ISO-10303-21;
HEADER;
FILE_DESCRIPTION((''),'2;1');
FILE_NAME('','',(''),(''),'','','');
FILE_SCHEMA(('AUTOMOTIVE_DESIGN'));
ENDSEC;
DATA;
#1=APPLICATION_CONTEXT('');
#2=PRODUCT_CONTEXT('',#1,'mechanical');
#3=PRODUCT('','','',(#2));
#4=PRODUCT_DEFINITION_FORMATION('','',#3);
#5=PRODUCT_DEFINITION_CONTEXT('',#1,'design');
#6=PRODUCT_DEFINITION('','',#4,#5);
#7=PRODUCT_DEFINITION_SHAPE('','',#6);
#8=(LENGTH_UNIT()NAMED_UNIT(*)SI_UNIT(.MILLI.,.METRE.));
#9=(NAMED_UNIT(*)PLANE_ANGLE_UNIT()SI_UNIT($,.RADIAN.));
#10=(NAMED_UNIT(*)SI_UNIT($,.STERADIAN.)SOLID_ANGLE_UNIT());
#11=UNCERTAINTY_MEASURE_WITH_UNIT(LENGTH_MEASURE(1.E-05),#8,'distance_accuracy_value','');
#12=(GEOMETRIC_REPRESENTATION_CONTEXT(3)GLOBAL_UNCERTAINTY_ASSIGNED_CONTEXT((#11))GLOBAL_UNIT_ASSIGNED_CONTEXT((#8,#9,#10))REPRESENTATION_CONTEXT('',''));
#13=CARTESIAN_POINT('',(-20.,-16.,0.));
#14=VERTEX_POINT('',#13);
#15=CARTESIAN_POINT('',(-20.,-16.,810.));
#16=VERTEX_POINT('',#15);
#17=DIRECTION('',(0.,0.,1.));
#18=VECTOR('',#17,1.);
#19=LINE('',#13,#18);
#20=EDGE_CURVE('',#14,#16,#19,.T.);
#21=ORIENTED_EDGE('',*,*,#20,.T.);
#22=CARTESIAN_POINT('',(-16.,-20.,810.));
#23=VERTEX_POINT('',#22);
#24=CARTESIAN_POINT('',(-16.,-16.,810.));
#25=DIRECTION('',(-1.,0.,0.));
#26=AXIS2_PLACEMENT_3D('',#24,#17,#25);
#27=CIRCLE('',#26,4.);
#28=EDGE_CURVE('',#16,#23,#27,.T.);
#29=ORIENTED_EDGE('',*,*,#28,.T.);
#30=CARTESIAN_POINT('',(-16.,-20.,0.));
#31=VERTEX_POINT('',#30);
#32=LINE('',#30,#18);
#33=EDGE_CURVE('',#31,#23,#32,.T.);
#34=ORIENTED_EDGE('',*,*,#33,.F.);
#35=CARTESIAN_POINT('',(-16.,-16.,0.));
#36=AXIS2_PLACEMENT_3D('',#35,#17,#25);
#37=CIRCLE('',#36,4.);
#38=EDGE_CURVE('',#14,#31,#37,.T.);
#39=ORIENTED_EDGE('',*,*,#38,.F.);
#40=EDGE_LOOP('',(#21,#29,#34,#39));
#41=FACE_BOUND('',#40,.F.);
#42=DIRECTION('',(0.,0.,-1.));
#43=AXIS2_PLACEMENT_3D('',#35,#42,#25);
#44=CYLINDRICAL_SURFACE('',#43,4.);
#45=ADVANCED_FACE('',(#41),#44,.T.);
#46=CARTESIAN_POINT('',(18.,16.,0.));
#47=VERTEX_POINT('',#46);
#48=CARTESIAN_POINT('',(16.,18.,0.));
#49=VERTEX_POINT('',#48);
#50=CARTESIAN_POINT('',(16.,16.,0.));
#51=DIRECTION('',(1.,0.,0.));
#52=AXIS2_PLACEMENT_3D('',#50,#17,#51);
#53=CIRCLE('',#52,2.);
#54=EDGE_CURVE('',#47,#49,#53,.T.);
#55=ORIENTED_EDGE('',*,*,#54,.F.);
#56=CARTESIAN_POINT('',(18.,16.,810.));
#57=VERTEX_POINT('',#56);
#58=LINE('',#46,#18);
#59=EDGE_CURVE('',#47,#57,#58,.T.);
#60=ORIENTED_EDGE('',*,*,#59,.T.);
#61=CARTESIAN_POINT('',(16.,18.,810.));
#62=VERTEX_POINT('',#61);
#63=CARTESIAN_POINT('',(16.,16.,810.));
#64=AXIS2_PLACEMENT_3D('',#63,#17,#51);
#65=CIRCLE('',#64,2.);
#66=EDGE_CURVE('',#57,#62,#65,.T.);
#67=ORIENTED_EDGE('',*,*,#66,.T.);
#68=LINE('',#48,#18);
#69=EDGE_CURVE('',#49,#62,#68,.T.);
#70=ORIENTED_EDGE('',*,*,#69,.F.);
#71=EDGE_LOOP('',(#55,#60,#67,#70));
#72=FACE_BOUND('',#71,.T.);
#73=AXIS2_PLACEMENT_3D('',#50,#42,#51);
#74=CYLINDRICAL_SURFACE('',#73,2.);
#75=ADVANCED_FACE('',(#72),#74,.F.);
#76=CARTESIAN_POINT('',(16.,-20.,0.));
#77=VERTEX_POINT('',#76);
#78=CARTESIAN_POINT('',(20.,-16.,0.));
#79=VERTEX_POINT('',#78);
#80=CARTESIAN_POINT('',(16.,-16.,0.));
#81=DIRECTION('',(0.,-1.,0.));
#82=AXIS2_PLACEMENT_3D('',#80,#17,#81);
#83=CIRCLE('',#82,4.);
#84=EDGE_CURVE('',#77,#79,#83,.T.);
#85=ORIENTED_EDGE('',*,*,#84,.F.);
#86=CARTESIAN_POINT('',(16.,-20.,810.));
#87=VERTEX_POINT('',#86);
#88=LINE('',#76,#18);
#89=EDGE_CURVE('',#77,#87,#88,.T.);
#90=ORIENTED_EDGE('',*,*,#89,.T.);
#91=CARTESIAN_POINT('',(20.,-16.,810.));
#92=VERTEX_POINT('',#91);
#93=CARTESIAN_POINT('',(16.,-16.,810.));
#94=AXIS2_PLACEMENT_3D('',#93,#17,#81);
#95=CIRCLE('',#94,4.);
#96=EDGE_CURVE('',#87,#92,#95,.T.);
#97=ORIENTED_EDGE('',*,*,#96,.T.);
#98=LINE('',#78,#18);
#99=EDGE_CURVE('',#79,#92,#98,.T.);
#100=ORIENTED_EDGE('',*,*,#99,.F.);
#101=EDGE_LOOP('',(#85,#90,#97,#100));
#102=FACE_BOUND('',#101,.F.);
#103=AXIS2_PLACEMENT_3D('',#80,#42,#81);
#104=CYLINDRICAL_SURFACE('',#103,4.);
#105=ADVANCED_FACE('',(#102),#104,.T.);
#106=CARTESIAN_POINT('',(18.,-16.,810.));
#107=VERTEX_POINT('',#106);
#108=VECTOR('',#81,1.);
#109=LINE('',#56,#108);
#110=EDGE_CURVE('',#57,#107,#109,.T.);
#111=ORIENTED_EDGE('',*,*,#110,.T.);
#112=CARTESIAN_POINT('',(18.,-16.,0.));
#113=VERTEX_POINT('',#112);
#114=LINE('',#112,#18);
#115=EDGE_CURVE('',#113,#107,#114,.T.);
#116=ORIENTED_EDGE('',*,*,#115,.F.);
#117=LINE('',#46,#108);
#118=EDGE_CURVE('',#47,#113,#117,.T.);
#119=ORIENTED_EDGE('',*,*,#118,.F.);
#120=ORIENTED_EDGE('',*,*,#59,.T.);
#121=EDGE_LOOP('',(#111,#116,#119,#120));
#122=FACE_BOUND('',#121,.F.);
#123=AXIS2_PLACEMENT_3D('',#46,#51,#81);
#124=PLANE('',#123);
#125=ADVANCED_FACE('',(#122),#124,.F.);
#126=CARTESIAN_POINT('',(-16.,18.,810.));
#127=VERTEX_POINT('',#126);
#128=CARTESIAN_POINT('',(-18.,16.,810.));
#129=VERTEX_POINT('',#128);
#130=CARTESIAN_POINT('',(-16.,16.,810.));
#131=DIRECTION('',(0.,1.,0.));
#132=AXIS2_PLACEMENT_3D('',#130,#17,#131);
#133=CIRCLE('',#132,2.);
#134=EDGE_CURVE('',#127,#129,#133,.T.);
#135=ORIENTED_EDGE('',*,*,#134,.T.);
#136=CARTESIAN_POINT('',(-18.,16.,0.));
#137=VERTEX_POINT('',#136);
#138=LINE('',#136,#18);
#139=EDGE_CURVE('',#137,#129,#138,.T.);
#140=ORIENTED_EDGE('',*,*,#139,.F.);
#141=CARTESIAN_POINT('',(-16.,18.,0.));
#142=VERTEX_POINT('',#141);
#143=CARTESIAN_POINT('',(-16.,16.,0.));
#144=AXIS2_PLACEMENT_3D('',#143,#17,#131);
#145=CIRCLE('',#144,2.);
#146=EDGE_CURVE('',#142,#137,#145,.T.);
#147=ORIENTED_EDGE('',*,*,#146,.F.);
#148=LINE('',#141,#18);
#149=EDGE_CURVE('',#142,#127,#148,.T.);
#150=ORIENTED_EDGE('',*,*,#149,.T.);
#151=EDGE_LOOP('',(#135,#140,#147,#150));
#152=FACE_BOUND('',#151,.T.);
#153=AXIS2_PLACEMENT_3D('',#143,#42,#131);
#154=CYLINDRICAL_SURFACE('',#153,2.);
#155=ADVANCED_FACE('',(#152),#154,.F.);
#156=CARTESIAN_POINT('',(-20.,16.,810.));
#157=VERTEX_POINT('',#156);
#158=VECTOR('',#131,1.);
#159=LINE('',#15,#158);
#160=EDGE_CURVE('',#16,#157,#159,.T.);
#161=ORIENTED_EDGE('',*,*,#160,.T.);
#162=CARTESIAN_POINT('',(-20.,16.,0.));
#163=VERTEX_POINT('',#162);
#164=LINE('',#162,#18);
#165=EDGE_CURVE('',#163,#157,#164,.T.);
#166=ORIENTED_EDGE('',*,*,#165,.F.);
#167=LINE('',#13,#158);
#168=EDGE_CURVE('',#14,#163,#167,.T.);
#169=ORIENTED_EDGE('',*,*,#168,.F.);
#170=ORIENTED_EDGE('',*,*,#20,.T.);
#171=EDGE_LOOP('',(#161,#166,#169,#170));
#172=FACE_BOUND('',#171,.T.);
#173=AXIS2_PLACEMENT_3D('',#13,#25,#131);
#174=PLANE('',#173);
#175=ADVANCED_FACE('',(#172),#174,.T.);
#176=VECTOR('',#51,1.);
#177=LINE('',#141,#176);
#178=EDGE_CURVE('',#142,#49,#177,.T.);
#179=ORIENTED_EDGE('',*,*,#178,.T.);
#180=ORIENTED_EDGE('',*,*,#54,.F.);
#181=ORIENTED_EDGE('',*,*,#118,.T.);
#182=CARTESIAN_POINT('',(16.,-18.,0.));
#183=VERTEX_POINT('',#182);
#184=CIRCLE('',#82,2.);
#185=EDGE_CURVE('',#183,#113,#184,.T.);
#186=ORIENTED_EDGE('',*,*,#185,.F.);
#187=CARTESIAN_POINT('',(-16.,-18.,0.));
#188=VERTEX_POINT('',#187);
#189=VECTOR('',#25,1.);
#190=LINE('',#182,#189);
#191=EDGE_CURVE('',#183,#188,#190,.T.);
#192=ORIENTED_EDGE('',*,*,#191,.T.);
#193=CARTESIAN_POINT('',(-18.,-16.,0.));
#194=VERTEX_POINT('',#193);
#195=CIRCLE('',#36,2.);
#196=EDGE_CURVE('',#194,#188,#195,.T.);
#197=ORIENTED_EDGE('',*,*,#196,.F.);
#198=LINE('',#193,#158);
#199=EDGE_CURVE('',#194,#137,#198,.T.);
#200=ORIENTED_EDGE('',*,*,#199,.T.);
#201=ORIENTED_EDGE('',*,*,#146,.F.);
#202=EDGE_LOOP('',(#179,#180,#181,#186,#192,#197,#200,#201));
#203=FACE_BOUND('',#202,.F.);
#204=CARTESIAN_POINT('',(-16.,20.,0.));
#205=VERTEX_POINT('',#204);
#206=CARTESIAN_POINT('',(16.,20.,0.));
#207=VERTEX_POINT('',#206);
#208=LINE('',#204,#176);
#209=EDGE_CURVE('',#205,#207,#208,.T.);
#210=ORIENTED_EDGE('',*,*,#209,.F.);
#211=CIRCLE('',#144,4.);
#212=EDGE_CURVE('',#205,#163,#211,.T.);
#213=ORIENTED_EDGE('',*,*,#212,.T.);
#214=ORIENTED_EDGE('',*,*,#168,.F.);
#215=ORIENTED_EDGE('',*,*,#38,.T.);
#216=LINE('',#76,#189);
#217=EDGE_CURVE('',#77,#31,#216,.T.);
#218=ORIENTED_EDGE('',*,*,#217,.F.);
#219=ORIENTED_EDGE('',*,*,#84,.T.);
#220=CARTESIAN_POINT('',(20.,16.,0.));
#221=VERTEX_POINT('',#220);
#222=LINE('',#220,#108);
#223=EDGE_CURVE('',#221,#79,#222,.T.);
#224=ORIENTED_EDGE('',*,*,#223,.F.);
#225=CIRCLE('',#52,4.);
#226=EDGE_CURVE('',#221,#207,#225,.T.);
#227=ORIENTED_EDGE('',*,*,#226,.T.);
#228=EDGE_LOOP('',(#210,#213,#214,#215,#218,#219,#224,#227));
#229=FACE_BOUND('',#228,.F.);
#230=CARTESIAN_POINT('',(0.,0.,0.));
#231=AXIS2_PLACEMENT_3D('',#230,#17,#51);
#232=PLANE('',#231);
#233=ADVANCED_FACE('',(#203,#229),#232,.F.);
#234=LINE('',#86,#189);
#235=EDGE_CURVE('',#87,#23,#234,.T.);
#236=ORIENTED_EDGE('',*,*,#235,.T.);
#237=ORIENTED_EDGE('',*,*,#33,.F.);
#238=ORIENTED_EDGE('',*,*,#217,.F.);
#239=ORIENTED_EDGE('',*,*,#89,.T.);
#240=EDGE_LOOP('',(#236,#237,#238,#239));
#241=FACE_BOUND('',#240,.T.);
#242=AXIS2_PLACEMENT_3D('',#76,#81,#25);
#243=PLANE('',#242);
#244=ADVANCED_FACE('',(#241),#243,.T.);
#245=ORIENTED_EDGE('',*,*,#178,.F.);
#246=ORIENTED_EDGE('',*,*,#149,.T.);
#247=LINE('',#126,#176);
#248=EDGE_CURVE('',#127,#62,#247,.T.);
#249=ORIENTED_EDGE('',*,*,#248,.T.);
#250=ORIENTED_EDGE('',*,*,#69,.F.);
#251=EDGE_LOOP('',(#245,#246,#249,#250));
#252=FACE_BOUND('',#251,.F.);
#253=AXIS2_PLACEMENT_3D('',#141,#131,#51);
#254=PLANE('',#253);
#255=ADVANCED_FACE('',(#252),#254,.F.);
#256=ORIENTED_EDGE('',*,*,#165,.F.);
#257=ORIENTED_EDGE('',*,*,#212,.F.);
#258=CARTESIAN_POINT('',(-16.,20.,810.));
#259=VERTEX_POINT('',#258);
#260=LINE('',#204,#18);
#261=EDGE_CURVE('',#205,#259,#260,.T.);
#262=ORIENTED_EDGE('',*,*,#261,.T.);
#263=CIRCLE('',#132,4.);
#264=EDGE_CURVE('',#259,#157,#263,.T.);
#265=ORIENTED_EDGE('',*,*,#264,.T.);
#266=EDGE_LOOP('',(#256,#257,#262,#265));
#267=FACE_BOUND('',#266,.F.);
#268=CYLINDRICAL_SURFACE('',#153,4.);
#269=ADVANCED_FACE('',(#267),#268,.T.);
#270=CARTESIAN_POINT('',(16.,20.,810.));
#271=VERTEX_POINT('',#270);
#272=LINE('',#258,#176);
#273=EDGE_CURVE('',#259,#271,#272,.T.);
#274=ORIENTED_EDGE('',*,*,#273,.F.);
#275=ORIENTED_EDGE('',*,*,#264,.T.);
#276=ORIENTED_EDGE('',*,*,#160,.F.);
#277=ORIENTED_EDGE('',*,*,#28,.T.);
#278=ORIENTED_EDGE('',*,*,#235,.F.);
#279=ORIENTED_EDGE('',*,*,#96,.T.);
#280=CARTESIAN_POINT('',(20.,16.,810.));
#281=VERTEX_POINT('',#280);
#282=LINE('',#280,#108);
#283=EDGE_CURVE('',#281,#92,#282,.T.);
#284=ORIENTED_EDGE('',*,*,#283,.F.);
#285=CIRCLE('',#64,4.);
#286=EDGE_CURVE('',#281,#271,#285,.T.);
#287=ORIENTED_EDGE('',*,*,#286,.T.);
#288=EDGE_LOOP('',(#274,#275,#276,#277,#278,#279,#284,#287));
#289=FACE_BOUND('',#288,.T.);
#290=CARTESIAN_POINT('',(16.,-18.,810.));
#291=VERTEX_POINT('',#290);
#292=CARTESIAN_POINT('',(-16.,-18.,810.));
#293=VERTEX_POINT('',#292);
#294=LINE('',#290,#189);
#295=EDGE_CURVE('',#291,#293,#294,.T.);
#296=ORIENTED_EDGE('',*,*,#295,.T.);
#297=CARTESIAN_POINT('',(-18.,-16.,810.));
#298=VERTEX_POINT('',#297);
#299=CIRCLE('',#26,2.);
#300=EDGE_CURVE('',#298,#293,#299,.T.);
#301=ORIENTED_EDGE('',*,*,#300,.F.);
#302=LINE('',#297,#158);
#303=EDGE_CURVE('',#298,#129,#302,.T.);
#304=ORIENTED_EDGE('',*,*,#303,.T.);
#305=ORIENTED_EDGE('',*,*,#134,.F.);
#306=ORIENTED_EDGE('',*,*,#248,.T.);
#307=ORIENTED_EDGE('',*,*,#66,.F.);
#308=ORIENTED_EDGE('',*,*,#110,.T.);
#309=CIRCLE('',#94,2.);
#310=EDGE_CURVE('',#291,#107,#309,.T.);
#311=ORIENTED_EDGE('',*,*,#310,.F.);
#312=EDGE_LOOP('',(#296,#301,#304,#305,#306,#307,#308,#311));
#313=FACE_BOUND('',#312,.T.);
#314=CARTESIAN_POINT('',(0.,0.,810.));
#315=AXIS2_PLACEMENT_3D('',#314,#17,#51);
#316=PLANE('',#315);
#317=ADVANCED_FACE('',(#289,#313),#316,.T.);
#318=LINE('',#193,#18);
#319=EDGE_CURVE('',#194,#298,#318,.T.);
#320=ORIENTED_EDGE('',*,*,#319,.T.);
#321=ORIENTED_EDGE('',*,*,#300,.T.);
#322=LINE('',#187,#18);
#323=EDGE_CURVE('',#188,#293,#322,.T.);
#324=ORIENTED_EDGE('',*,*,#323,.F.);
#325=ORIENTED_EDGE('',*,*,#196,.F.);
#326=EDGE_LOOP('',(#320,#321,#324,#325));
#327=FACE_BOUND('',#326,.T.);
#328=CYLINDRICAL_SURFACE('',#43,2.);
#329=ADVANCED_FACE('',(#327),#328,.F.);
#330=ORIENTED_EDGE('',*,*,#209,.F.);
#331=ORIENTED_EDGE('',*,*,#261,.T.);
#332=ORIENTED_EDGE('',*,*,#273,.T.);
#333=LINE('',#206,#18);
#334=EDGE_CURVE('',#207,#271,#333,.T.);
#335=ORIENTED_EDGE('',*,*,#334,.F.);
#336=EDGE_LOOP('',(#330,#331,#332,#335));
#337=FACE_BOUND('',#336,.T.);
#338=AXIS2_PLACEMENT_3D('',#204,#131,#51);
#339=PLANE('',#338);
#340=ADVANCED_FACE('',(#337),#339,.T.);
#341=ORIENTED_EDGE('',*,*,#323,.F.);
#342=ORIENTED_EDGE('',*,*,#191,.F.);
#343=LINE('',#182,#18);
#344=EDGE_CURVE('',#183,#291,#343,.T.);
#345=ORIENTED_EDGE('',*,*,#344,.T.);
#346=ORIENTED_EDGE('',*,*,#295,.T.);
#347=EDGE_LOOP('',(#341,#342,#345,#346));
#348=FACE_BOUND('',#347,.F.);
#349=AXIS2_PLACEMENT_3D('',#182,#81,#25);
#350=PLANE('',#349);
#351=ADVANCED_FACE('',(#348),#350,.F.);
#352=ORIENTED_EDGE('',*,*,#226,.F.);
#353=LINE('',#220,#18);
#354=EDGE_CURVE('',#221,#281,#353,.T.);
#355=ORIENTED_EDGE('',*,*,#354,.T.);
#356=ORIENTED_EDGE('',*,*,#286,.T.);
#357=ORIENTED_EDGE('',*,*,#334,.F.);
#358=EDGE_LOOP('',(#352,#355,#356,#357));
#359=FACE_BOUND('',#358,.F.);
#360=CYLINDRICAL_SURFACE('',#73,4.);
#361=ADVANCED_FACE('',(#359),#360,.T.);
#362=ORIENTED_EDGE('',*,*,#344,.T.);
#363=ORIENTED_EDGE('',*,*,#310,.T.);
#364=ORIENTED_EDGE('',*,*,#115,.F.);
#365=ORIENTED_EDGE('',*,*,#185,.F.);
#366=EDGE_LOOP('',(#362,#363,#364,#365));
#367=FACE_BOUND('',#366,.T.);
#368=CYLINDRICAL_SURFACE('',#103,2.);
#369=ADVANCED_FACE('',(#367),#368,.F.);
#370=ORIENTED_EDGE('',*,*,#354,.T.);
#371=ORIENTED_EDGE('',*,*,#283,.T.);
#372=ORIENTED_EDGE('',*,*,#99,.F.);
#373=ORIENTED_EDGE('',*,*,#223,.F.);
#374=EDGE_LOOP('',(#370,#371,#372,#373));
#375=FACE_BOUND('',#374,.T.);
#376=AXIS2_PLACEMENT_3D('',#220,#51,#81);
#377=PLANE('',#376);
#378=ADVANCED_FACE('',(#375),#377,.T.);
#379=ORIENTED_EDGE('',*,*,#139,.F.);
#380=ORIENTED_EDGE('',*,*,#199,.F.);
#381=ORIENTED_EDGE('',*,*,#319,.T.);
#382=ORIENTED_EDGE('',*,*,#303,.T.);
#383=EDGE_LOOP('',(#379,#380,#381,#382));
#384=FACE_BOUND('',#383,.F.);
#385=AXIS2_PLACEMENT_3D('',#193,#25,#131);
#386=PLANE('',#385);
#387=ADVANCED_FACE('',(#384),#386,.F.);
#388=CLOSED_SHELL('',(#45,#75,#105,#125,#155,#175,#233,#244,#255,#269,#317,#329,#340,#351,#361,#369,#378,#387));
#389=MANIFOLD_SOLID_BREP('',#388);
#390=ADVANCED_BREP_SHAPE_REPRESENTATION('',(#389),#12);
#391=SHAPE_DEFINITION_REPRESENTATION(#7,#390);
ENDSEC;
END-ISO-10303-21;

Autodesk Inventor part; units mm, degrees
ref_plane "YZ Plane" through (0, 0, 0) normal (1, 0, 0) x (0, 1, 0)
ref_plane "Start plane" through (0, 0, 0) normal (0, 0, 1) x (1, 0, 0)
ref_plane "End plane" through (0, 0, 810) normal (0, 0, 1) x (1, 0, 0)
sketch "Sketch" plane through (0, 0, 0) normal (0, 0, 1) x (1, 0, 0)
  line L0 (-20, -16) -> (-20, 16)
  line L1 (-16, 20) -> (16, 20)
  line L2 (20, 16) -> (20, -16)
  line L3 (16, -20) -> (-16, -20)
  arc A0 (-20, -16) -> (-16, -20) centre (-16, -16) ccw
  arc A1 (20, 16) -> (16, 20) centre (16, 16) ccw
  arc A2 (-16, 20) -> (-20, 16) centre (-16, 16) ccw
  arc A3 (16, -20) -> (20, -16) centre (16, -16) ccw
  arc A4 (-16, 18) -> (-18, 16) centre (-16, 16) ccw
  line L4 (-16, 18) -> (16, 18)
  arc A5 (18, 16) -> (16, 18) centre (16, 16) ccw
  line L5 (18, 16) -> (18, -16)
  arc A6 (16, -18) -> (18, -16) centre (16, -16) ccw
  line L6 (16, -18) -> (-16, -18)
  arc A7 (-18, -16) -> (-16, -18) centre (-16, -16) ccw
  line L7 (-18, -16) -> (-18, 16)
  line L8 (0, 36.7397) -> (0, -36.7397) construction
  line L9 (-36.7397, 0) -> (36.7397, 0) construction
  dimension "d7" = 4
  dimension "d9" = 40
  dimension "d11" = 40
  dimension "d12" = 2
  dimension "d15" = 20
  dimension "d16" = 20
extrude "Body" add sketch "Sketch" along normal up to surface (810 mm away) from surface at 0
sketch "Sketch3" plane through (0, 0, 0) normal (0, 0, 1) x (1, 0, 0)
  line L0 (0, 0) -> (10, 0)
ref_plane "Work Plane3" through (0, 0, 0) normal (0, -1, 0) x (1, 0, 0)
sketch "Sketch4" plane through (0, 0, 0) normal (0, -1, 0) x (1, 0, 0)
  line L0 (-2, 0) -> (12, 0) projected
  line L1 (-2, 810) -> (12, 810) projected
  dimension "d18" = 810
equation "\"d7\" = G_IR"
equation "\"d9\" = G_W"
equation "\"d11\" = G_H"
equation "\"d12\" = G_T"
equation "\"d15\" = 0.5 * d9"
equation "\"d16\" = 0.5 * d11"
equation "\"d3\" = G_L"
equation "\"G_W\" = 40"
equation "\"G_H\" = 40"
equation "\"G_T\" = 2"
equation "\"G_IR\" = 4"
equation "\"G_L\" = d18"
equation "\"G_OFFSET_START\" = 0"
equation "\"G_OFFSET_END\" = 0"
properties part number "ISO 10799-2 - 40x40x2 - 810" material "Steel, Mild"
